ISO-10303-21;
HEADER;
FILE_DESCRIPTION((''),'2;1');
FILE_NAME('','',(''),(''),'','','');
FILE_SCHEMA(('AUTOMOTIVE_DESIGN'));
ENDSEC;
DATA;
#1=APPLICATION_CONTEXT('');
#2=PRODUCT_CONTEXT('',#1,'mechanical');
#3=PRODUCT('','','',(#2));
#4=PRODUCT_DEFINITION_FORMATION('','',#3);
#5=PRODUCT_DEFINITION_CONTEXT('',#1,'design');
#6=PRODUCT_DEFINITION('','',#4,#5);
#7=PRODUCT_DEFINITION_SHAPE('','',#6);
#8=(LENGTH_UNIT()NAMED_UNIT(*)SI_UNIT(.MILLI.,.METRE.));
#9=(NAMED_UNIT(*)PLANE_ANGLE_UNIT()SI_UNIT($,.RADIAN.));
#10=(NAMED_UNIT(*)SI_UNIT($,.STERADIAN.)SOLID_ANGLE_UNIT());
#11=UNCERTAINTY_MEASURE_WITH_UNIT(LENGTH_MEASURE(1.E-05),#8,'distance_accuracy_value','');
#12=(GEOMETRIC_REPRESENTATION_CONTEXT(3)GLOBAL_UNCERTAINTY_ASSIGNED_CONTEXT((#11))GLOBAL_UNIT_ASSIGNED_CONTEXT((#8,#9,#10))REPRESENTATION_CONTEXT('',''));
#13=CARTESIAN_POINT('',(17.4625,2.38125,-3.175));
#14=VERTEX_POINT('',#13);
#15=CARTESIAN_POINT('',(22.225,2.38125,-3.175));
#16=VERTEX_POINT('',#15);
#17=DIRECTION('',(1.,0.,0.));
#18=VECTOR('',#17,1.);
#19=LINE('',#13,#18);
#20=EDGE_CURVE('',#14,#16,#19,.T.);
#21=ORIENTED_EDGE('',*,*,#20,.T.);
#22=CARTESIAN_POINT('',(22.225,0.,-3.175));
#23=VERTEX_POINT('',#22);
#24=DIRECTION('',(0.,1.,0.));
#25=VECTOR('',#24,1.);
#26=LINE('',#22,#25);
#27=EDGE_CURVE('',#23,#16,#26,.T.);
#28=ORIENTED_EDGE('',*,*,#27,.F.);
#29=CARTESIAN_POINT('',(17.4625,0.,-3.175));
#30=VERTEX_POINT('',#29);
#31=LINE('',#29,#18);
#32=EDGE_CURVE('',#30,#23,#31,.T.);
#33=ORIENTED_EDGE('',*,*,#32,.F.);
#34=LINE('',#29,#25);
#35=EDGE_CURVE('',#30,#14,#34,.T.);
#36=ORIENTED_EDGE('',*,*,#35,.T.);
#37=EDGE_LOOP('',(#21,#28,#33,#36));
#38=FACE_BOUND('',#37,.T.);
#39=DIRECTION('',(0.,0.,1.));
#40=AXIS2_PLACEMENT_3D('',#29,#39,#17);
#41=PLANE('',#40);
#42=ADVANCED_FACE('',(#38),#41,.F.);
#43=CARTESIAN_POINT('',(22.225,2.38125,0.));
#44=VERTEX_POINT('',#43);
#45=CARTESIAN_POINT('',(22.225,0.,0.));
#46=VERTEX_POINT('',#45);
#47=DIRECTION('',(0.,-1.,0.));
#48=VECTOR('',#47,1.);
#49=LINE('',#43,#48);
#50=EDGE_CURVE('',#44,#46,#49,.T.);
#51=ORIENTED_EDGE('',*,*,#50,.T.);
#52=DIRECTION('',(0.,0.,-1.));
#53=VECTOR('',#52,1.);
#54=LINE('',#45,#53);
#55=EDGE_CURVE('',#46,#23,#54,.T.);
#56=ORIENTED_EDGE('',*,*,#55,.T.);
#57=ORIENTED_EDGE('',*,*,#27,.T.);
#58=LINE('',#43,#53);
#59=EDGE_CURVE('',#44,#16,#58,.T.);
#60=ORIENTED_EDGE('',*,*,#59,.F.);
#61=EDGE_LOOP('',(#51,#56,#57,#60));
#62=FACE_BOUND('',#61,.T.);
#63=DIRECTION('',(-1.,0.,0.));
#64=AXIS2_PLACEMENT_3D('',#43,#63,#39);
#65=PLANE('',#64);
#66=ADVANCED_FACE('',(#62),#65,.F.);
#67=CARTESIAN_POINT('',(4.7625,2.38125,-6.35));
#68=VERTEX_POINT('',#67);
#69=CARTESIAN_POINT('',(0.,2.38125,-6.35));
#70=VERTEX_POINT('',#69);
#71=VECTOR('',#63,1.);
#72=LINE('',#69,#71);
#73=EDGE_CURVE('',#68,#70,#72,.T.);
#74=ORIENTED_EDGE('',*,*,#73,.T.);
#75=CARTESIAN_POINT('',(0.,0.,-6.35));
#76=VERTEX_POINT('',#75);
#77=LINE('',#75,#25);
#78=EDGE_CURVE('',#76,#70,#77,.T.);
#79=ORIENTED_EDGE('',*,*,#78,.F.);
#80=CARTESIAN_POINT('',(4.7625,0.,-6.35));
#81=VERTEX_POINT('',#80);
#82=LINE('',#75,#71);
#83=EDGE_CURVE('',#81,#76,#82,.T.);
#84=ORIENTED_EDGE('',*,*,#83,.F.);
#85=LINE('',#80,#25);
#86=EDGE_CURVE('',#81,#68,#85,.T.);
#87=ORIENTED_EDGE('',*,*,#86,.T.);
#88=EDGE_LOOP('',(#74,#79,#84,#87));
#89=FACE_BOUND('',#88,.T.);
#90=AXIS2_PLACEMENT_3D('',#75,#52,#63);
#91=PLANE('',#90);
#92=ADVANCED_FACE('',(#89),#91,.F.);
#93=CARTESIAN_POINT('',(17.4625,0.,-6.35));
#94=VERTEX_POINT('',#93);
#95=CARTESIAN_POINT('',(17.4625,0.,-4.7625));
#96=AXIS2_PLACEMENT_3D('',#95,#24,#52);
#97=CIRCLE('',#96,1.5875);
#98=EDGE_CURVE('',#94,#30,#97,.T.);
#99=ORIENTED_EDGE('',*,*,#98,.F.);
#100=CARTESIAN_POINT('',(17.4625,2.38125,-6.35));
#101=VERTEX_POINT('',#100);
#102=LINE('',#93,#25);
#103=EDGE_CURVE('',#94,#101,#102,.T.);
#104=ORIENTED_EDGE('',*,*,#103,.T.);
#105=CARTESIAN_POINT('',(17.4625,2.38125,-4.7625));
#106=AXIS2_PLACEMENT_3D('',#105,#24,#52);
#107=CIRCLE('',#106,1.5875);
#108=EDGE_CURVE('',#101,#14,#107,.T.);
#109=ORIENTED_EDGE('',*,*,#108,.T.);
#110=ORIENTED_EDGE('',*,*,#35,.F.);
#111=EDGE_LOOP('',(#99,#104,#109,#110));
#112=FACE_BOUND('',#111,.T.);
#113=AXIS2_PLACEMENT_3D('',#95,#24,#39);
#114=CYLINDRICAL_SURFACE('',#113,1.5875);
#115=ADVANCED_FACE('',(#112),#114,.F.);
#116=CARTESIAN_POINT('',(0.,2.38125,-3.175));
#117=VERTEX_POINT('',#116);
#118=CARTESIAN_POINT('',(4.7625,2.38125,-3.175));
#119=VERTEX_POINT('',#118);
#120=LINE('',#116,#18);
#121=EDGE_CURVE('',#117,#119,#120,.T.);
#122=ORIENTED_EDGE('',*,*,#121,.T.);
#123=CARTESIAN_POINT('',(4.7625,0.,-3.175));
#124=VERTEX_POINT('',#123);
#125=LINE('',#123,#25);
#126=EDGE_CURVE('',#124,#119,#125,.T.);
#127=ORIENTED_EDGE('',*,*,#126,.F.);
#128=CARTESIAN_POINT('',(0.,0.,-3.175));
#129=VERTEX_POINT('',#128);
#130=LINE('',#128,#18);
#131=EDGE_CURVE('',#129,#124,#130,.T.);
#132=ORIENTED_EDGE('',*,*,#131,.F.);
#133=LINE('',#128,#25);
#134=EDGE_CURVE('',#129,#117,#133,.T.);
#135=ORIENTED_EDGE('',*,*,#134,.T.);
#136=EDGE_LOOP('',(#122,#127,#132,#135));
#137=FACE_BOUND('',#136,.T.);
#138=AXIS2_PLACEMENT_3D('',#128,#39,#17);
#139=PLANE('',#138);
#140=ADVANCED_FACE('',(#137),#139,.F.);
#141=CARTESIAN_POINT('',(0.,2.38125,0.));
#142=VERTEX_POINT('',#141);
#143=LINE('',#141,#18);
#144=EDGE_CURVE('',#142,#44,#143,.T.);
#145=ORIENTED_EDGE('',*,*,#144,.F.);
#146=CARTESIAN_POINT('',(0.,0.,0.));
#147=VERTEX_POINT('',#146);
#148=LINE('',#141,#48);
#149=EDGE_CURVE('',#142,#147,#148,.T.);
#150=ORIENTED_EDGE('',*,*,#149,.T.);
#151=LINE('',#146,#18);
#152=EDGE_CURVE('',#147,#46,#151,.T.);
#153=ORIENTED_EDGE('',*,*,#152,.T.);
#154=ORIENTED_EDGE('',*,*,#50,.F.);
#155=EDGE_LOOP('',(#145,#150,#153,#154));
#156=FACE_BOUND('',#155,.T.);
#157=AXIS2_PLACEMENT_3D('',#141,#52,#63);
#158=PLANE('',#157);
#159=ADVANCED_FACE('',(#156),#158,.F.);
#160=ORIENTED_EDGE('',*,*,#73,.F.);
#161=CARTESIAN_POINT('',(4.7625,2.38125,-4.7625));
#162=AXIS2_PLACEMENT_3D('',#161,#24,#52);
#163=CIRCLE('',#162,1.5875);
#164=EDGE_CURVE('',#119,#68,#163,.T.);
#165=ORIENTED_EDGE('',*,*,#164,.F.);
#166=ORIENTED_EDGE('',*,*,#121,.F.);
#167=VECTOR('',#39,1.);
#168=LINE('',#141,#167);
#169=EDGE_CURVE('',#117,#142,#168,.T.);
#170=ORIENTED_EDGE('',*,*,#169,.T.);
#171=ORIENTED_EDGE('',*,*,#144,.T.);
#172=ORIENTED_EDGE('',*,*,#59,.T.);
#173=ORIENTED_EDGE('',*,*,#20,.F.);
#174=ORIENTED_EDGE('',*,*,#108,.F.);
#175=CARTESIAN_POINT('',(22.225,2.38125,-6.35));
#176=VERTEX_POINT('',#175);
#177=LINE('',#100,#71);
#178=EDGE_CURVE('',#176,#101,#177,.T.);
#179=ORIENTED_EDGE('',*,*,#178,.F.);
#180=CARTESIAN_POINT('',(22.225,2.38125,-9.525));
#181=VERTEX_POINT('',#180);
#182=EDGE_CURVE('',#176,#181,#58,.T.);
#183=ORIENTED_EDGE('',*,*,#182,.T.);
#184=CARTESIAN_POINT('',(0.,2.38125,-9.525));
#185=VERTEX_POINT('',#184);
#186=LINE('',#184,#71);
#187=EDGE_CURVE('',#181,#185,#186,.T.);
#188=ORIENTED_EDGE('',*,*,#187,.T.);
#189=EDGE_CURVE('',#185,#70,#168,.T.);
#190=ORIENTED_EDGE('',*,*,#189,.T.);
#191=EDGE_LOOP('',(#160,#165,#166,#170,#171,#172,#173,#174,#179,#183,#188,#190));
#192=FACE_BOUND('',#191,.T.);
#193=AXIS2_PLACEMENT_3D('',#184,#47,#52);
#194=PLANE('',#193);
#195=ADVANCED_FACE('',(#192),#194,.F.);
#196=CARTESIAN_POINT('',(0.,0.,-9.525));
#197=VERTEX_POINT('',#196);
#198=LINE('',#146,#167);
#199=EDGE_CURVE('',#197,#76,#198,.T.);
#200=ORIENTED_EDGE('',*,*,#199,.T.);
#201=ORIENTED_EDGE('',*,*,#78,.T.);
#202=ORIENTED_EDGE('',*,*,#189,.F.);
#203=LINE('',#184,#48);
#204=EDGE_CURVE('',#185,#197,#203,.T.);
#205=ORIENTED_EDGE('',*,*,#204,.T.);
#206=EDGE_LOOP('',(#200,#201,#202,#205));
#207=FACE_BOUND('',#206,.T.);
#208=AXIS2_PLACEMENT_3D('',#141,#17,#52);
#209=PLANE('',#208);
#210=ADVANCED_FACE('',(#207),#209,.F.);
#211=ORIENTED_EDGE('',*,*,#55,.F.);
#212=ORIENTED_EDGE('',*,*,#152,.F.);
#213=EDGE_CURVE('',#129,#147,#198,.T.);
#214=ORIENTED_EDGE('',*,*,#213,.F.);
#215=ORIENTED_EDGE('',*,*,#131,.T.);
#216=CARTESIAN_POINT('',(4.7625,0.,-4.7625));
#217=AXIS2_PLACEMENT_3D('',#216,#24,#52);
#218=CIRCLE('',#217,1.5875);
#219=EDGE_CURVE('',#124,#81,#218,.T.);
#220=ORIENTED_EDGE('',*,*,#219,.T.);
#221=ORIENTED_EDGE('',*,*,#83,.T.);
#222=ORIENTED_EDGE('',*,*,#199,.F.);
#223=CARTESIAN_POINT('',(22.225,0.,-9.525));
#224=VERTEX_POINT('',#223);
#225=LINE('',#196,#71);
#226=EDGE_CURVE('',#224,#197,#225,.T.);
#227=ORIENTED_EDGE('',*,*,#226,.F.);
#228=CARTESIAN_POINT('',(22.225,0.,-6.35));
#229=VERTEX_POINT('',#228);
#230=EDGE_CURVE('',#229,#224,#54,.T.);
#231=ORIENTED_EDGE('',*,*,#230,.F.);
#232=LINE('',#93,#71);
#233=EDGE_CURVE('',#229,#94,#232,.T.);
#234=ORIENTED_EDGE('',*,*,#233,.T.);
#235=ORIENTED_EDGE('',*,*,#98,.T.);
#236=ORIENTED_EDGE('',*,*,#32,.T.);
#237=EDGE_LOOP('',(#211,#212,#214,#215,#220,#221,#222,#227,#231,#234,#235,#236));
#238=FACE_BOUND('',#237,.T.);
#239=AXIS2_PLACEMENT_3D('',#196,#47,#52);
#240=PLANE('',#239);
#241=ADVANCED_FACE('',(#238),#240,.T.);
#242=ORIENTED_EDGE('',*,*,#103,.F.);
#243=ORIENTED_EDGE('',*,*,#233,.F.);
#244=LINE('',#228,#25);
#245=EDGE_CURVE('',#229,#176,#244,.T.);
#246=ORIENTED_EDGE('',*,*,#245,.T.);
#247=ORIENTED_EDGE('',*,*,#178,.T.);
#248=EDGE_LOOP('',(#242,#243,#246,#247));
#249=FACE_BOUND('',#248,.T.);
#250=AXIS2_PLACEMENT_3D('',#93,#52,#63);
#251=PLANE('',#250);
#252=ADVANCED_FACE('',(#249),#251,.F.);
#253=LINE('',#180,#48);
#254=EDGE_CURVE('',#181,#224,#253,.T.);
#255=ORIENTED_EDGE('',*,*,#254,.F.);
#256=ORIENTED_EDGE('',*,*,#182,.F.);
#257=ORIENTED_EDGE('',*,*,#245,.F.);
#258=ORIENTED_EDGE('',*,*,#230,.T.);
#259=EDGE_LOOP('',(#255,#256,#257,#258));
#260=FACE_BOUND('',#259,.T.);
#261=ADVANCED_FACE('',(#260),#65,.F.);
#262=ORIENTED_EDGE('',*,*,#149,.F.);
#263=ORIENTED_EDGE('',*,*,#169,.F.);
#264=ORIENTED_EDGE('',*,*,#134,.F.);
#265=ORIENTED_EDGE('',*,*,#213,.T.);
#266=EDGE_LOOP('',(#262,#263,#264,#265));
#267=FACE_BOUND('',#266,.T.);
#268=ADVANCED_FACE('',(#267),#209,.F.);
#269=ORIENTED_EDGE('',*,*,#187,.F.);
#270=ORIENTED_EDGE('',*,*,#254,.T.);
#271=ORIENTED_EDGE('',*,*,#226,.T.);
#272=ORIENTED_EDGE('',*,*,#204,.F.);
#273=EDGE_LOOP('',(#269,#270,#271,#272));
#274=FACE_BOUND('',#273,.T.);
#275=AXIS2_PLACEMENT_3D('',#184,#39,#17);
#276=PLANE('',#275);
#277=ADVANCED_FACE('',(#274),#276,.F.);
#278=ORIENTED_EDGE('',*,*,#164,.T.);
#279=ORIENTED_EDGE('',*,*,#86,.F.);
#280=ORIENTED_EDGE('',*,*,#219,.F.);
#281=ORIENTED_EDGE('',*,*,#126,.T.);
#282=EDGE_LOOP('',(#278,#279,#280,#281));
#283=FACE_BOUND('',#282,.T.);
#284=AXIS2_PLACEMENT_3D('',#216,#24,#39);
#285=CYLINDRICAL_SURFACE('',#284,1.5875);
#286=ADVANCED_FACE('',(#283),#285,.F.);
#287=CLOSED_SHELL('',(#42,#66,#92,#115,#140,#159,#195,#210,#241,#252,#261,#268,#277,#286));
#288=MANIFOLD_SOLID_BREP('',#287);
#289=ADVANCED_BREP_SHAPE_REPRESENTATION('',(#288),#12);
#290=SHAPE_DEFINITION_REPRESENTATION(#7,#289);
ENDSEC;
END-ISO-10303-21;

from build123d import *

# Parameters (mm, degrees)
SKETCH1_W           = 22.225
SKETCH1_H           = 9.525
BOSS_EXTRUDE1_DEPTH = 2.38125
CUT_EXTRUDE1_DEPTH  = 3.38125


with BuildPart() as part:
    # Sketch1 → Boss-Extrude1 (new body)
    with BuildSketch(Plane(origin=(0, 0, 0), x_dir=(1, 0, 0), z_dir=(0, 1, 0))):
        with Locations((11.1125, 4.7625)):
            Rectangle(SKETCH1_W, SKETCH1_H)
    extrude(amount=BOSS_EXTRUDE1_DEPTH)

    # Sketch2 → Cut-Extrude1 (cut, through all)
    with BuildSketch(Plane(origin=(0, 2.38125, 0), x_dir=(1, 0, 0), z_dir=(0, 1, 0))):
        with BuildLine():
            Line((0, 3.175), (4.7625, 3.175))
            ThreePointArc((4.7625, 3.175), (6.35, 4.7625), (4.7625, 6.35))
            Line((4.7625, 6.35), (0, 6.35))
            Line((0, 6.35), (0, 3.175))
        make_face()
        with BuildLine():
            Line((22.225, 6.35), (22.225, 3.175))
            Line((22.225, 3.175), (17.4625, 3.175))
            ThreePointArc((17.4625, 3.175), (15.875, 4.7625), (17.4625, 6.35))
            Line((17.4625, 6.35), (22.225, 6.35))
        make_face()
    extrude(amount=-CUT_EXTRUDE1_DEPTH, mode=Mode.SUBTRACT)


solid = part.part
